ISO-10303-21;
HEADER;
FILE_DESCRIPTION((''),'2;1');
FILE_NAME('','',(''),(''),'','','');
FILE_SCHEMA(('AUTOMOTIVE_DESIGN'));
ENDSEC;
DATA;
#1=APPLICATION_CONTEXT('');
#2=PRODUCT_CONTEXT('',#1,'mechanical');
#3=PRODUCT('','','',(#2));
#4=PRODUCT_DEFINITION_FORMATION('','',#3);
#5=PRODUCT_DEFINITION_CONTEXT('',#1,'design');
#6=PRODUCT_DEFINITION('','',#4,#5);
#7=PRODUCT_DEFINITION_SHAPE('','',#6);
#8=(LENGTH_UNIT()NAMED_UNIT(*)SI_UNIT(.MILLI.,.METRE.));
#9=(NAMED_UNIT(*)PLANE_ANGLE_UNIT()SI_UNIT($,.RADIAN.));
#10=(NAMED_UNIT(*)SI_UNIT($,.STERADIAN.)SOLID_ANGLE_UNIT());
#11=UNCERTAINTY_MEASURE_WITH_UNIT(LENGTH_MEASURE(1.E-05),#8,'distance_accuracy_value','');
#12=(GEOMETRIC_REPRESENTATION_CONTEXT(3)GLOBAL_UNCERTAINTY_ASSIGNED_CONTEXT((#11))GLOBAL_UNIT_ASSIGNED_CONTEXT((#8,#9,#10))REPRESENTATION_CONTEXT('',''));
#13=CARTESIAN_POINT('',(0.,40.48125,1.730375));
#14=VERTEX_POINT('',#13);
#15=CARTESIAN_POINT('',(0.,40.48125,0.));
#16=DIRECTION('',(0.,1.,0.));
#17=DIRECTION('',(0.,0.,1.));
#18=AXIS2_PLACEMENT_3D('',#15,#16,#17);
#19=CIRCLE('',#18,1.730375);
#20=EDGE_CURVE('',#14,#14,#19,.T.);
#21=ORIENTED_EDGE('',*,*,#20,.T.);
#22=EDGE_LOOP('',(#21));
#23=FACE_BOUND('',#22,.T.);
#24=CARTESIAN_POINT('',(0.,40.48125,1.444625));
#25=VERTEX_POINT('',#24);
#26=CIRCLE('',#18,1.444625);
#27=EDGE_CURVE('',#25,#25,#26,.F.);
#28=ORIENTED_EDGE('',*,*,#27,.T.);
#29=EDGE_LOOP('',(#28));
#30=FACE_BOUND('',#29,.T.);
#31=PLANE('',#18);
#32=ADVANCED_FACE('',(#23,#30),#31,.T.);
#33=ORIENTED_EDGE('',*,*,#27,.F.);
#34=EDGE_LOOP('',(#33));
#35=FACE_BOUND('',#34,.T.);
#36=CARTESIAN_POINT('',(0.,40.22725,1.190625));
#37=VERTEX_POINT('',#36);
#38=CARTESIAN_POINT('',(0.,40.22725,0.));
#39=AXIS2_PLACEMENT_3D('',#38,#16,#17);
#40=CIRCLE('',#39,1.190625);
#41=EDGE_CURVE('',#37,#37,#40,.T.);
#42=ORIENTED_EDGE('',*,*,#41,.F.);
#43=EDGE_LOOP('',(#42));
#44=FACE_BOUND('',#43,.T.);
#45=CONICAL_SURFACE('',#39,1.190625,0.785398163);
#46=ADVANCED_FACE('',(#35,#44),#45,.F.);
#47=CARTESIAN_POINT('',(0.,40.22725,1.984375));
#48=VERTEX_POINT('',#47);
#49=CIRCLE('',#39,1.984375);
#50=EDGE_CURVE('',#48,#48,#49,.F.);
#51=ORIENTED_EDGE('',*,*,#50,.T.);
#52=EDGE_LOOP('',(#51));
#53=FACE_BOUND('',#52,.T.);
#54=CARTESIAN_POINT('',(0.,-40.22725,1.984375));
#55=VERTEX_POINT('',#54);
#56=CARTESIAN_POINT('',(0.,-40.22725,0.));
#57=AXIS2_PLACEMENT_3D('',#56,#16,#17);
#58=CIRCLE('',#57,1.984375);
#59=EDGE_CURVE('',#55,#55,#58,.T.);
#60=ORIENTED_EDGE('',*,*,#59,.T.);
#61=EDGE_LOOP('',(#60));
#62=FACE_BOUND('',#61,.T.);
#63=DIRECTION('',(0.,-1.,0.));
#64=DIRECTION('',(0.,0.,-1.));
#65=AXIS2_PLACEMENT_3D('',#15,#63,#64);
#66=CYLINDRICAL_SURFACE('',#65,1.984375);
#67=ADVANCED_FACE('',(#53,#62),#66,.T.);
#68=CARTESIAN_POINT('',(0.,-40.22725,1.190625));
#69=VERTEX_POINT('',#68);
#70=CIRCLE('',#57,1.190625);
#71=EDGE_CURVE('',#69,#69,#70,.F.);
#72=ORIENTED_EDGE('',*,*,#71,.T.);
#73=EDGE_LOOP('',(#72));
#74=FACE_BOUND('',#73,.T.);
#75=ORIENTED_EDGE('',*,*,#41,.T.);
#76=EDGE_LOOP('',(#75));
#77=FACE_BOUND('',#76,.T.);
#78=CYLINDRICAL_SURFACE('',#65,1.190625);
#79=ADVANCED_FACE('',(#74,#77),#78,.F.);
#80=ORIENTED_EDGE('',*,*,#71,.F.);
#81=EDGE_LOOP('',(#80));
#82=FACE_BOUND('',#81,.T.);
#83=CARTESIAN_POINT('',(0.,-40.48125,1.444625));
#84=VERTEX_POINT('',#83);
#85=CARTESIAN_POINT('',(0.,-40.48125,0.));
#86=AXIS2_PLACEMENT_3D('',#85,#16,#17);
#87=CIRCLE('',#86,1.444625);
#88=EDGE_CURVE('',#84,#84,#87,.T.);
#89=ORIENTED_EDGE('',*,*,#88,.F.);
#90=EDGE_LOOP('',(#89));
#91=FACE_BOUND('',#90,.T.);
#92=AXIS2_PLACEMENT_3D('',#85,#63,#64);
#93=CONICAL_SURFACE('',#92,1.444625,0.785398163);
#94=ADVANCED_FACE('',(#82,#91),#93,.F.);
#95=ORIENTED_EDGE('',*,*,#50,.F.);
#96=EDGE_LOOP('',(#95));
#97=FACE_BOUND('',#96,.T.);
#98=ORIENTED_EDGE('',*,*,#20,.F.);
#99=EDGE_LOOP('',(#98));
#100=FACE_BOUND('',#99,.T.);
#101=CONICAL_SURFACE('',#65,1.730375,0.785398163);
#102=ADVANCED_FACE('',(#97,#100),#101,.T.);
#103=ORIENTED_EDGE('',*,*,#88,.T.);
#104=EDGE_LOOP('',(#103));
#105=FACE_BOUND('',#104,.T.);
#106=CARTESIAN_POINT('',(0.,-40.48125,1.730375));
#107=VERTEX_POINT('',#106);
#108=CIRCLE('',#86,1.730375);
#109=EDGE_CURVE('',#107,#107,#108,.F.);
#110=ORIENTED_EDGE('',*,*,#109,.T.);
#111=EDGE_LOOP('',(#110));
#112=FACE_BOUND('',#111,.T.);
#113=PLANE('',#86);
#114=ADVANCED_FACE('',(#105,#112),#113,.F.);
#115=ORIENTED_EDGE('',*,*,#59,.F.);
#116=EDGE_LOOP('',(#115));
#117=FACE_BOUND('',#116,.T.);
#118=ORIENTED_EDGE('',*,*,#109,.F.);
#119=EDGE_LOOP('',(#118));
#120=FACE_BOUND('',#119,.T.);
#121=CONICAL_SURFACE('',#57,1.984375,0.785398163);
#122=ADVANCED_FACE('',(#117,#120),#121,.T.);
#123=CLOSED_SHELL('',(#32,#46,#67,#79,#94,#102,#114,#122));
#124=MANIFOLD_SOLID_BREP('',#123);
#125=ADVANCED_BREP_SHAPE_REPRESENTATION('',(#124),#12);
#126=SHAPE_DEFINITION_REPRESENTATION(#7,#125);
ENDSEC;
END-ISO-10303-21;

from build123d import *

# Parameters (mm, degrees)
SKETCH1_R           = 1.984375
SKETCH1_R_2         = 1.190625
BOSS_EXTRUDE1_DEPTH = 40.48125
CHAMFER1_SIZE       = 0.254


with BuildPart() as part:
    # Sketch1 → Boss-Extrude1 (new body, symmetric)
    with BuildSketch(Plane(origin=(0, 0, 0), x_dir=(1, 0, 0), z_dir=(0, 1, 0))):
        Circle(SKETCH1_R)
        Circle(SKETCH1_R_2, mode=Mode.SUBTRACT)
    extrude(amount=BOSS_EXTRUDE1_DEPTH, both=True)

    # Chamfer1
    chamfer1_edges = [part.edges().sort_by_distance(p)[0] for p in [
        (-1.984375, -40.48125, 0),
        (-1.984375, 40.48125, 0),
        (-1.190625, -40.48125, 0),
        (-1.190625, 40.48125, 0),
    ]]
    chamfer(chamfer1_edges, length=CHAMFER1_SIZE)


solid = part.part
